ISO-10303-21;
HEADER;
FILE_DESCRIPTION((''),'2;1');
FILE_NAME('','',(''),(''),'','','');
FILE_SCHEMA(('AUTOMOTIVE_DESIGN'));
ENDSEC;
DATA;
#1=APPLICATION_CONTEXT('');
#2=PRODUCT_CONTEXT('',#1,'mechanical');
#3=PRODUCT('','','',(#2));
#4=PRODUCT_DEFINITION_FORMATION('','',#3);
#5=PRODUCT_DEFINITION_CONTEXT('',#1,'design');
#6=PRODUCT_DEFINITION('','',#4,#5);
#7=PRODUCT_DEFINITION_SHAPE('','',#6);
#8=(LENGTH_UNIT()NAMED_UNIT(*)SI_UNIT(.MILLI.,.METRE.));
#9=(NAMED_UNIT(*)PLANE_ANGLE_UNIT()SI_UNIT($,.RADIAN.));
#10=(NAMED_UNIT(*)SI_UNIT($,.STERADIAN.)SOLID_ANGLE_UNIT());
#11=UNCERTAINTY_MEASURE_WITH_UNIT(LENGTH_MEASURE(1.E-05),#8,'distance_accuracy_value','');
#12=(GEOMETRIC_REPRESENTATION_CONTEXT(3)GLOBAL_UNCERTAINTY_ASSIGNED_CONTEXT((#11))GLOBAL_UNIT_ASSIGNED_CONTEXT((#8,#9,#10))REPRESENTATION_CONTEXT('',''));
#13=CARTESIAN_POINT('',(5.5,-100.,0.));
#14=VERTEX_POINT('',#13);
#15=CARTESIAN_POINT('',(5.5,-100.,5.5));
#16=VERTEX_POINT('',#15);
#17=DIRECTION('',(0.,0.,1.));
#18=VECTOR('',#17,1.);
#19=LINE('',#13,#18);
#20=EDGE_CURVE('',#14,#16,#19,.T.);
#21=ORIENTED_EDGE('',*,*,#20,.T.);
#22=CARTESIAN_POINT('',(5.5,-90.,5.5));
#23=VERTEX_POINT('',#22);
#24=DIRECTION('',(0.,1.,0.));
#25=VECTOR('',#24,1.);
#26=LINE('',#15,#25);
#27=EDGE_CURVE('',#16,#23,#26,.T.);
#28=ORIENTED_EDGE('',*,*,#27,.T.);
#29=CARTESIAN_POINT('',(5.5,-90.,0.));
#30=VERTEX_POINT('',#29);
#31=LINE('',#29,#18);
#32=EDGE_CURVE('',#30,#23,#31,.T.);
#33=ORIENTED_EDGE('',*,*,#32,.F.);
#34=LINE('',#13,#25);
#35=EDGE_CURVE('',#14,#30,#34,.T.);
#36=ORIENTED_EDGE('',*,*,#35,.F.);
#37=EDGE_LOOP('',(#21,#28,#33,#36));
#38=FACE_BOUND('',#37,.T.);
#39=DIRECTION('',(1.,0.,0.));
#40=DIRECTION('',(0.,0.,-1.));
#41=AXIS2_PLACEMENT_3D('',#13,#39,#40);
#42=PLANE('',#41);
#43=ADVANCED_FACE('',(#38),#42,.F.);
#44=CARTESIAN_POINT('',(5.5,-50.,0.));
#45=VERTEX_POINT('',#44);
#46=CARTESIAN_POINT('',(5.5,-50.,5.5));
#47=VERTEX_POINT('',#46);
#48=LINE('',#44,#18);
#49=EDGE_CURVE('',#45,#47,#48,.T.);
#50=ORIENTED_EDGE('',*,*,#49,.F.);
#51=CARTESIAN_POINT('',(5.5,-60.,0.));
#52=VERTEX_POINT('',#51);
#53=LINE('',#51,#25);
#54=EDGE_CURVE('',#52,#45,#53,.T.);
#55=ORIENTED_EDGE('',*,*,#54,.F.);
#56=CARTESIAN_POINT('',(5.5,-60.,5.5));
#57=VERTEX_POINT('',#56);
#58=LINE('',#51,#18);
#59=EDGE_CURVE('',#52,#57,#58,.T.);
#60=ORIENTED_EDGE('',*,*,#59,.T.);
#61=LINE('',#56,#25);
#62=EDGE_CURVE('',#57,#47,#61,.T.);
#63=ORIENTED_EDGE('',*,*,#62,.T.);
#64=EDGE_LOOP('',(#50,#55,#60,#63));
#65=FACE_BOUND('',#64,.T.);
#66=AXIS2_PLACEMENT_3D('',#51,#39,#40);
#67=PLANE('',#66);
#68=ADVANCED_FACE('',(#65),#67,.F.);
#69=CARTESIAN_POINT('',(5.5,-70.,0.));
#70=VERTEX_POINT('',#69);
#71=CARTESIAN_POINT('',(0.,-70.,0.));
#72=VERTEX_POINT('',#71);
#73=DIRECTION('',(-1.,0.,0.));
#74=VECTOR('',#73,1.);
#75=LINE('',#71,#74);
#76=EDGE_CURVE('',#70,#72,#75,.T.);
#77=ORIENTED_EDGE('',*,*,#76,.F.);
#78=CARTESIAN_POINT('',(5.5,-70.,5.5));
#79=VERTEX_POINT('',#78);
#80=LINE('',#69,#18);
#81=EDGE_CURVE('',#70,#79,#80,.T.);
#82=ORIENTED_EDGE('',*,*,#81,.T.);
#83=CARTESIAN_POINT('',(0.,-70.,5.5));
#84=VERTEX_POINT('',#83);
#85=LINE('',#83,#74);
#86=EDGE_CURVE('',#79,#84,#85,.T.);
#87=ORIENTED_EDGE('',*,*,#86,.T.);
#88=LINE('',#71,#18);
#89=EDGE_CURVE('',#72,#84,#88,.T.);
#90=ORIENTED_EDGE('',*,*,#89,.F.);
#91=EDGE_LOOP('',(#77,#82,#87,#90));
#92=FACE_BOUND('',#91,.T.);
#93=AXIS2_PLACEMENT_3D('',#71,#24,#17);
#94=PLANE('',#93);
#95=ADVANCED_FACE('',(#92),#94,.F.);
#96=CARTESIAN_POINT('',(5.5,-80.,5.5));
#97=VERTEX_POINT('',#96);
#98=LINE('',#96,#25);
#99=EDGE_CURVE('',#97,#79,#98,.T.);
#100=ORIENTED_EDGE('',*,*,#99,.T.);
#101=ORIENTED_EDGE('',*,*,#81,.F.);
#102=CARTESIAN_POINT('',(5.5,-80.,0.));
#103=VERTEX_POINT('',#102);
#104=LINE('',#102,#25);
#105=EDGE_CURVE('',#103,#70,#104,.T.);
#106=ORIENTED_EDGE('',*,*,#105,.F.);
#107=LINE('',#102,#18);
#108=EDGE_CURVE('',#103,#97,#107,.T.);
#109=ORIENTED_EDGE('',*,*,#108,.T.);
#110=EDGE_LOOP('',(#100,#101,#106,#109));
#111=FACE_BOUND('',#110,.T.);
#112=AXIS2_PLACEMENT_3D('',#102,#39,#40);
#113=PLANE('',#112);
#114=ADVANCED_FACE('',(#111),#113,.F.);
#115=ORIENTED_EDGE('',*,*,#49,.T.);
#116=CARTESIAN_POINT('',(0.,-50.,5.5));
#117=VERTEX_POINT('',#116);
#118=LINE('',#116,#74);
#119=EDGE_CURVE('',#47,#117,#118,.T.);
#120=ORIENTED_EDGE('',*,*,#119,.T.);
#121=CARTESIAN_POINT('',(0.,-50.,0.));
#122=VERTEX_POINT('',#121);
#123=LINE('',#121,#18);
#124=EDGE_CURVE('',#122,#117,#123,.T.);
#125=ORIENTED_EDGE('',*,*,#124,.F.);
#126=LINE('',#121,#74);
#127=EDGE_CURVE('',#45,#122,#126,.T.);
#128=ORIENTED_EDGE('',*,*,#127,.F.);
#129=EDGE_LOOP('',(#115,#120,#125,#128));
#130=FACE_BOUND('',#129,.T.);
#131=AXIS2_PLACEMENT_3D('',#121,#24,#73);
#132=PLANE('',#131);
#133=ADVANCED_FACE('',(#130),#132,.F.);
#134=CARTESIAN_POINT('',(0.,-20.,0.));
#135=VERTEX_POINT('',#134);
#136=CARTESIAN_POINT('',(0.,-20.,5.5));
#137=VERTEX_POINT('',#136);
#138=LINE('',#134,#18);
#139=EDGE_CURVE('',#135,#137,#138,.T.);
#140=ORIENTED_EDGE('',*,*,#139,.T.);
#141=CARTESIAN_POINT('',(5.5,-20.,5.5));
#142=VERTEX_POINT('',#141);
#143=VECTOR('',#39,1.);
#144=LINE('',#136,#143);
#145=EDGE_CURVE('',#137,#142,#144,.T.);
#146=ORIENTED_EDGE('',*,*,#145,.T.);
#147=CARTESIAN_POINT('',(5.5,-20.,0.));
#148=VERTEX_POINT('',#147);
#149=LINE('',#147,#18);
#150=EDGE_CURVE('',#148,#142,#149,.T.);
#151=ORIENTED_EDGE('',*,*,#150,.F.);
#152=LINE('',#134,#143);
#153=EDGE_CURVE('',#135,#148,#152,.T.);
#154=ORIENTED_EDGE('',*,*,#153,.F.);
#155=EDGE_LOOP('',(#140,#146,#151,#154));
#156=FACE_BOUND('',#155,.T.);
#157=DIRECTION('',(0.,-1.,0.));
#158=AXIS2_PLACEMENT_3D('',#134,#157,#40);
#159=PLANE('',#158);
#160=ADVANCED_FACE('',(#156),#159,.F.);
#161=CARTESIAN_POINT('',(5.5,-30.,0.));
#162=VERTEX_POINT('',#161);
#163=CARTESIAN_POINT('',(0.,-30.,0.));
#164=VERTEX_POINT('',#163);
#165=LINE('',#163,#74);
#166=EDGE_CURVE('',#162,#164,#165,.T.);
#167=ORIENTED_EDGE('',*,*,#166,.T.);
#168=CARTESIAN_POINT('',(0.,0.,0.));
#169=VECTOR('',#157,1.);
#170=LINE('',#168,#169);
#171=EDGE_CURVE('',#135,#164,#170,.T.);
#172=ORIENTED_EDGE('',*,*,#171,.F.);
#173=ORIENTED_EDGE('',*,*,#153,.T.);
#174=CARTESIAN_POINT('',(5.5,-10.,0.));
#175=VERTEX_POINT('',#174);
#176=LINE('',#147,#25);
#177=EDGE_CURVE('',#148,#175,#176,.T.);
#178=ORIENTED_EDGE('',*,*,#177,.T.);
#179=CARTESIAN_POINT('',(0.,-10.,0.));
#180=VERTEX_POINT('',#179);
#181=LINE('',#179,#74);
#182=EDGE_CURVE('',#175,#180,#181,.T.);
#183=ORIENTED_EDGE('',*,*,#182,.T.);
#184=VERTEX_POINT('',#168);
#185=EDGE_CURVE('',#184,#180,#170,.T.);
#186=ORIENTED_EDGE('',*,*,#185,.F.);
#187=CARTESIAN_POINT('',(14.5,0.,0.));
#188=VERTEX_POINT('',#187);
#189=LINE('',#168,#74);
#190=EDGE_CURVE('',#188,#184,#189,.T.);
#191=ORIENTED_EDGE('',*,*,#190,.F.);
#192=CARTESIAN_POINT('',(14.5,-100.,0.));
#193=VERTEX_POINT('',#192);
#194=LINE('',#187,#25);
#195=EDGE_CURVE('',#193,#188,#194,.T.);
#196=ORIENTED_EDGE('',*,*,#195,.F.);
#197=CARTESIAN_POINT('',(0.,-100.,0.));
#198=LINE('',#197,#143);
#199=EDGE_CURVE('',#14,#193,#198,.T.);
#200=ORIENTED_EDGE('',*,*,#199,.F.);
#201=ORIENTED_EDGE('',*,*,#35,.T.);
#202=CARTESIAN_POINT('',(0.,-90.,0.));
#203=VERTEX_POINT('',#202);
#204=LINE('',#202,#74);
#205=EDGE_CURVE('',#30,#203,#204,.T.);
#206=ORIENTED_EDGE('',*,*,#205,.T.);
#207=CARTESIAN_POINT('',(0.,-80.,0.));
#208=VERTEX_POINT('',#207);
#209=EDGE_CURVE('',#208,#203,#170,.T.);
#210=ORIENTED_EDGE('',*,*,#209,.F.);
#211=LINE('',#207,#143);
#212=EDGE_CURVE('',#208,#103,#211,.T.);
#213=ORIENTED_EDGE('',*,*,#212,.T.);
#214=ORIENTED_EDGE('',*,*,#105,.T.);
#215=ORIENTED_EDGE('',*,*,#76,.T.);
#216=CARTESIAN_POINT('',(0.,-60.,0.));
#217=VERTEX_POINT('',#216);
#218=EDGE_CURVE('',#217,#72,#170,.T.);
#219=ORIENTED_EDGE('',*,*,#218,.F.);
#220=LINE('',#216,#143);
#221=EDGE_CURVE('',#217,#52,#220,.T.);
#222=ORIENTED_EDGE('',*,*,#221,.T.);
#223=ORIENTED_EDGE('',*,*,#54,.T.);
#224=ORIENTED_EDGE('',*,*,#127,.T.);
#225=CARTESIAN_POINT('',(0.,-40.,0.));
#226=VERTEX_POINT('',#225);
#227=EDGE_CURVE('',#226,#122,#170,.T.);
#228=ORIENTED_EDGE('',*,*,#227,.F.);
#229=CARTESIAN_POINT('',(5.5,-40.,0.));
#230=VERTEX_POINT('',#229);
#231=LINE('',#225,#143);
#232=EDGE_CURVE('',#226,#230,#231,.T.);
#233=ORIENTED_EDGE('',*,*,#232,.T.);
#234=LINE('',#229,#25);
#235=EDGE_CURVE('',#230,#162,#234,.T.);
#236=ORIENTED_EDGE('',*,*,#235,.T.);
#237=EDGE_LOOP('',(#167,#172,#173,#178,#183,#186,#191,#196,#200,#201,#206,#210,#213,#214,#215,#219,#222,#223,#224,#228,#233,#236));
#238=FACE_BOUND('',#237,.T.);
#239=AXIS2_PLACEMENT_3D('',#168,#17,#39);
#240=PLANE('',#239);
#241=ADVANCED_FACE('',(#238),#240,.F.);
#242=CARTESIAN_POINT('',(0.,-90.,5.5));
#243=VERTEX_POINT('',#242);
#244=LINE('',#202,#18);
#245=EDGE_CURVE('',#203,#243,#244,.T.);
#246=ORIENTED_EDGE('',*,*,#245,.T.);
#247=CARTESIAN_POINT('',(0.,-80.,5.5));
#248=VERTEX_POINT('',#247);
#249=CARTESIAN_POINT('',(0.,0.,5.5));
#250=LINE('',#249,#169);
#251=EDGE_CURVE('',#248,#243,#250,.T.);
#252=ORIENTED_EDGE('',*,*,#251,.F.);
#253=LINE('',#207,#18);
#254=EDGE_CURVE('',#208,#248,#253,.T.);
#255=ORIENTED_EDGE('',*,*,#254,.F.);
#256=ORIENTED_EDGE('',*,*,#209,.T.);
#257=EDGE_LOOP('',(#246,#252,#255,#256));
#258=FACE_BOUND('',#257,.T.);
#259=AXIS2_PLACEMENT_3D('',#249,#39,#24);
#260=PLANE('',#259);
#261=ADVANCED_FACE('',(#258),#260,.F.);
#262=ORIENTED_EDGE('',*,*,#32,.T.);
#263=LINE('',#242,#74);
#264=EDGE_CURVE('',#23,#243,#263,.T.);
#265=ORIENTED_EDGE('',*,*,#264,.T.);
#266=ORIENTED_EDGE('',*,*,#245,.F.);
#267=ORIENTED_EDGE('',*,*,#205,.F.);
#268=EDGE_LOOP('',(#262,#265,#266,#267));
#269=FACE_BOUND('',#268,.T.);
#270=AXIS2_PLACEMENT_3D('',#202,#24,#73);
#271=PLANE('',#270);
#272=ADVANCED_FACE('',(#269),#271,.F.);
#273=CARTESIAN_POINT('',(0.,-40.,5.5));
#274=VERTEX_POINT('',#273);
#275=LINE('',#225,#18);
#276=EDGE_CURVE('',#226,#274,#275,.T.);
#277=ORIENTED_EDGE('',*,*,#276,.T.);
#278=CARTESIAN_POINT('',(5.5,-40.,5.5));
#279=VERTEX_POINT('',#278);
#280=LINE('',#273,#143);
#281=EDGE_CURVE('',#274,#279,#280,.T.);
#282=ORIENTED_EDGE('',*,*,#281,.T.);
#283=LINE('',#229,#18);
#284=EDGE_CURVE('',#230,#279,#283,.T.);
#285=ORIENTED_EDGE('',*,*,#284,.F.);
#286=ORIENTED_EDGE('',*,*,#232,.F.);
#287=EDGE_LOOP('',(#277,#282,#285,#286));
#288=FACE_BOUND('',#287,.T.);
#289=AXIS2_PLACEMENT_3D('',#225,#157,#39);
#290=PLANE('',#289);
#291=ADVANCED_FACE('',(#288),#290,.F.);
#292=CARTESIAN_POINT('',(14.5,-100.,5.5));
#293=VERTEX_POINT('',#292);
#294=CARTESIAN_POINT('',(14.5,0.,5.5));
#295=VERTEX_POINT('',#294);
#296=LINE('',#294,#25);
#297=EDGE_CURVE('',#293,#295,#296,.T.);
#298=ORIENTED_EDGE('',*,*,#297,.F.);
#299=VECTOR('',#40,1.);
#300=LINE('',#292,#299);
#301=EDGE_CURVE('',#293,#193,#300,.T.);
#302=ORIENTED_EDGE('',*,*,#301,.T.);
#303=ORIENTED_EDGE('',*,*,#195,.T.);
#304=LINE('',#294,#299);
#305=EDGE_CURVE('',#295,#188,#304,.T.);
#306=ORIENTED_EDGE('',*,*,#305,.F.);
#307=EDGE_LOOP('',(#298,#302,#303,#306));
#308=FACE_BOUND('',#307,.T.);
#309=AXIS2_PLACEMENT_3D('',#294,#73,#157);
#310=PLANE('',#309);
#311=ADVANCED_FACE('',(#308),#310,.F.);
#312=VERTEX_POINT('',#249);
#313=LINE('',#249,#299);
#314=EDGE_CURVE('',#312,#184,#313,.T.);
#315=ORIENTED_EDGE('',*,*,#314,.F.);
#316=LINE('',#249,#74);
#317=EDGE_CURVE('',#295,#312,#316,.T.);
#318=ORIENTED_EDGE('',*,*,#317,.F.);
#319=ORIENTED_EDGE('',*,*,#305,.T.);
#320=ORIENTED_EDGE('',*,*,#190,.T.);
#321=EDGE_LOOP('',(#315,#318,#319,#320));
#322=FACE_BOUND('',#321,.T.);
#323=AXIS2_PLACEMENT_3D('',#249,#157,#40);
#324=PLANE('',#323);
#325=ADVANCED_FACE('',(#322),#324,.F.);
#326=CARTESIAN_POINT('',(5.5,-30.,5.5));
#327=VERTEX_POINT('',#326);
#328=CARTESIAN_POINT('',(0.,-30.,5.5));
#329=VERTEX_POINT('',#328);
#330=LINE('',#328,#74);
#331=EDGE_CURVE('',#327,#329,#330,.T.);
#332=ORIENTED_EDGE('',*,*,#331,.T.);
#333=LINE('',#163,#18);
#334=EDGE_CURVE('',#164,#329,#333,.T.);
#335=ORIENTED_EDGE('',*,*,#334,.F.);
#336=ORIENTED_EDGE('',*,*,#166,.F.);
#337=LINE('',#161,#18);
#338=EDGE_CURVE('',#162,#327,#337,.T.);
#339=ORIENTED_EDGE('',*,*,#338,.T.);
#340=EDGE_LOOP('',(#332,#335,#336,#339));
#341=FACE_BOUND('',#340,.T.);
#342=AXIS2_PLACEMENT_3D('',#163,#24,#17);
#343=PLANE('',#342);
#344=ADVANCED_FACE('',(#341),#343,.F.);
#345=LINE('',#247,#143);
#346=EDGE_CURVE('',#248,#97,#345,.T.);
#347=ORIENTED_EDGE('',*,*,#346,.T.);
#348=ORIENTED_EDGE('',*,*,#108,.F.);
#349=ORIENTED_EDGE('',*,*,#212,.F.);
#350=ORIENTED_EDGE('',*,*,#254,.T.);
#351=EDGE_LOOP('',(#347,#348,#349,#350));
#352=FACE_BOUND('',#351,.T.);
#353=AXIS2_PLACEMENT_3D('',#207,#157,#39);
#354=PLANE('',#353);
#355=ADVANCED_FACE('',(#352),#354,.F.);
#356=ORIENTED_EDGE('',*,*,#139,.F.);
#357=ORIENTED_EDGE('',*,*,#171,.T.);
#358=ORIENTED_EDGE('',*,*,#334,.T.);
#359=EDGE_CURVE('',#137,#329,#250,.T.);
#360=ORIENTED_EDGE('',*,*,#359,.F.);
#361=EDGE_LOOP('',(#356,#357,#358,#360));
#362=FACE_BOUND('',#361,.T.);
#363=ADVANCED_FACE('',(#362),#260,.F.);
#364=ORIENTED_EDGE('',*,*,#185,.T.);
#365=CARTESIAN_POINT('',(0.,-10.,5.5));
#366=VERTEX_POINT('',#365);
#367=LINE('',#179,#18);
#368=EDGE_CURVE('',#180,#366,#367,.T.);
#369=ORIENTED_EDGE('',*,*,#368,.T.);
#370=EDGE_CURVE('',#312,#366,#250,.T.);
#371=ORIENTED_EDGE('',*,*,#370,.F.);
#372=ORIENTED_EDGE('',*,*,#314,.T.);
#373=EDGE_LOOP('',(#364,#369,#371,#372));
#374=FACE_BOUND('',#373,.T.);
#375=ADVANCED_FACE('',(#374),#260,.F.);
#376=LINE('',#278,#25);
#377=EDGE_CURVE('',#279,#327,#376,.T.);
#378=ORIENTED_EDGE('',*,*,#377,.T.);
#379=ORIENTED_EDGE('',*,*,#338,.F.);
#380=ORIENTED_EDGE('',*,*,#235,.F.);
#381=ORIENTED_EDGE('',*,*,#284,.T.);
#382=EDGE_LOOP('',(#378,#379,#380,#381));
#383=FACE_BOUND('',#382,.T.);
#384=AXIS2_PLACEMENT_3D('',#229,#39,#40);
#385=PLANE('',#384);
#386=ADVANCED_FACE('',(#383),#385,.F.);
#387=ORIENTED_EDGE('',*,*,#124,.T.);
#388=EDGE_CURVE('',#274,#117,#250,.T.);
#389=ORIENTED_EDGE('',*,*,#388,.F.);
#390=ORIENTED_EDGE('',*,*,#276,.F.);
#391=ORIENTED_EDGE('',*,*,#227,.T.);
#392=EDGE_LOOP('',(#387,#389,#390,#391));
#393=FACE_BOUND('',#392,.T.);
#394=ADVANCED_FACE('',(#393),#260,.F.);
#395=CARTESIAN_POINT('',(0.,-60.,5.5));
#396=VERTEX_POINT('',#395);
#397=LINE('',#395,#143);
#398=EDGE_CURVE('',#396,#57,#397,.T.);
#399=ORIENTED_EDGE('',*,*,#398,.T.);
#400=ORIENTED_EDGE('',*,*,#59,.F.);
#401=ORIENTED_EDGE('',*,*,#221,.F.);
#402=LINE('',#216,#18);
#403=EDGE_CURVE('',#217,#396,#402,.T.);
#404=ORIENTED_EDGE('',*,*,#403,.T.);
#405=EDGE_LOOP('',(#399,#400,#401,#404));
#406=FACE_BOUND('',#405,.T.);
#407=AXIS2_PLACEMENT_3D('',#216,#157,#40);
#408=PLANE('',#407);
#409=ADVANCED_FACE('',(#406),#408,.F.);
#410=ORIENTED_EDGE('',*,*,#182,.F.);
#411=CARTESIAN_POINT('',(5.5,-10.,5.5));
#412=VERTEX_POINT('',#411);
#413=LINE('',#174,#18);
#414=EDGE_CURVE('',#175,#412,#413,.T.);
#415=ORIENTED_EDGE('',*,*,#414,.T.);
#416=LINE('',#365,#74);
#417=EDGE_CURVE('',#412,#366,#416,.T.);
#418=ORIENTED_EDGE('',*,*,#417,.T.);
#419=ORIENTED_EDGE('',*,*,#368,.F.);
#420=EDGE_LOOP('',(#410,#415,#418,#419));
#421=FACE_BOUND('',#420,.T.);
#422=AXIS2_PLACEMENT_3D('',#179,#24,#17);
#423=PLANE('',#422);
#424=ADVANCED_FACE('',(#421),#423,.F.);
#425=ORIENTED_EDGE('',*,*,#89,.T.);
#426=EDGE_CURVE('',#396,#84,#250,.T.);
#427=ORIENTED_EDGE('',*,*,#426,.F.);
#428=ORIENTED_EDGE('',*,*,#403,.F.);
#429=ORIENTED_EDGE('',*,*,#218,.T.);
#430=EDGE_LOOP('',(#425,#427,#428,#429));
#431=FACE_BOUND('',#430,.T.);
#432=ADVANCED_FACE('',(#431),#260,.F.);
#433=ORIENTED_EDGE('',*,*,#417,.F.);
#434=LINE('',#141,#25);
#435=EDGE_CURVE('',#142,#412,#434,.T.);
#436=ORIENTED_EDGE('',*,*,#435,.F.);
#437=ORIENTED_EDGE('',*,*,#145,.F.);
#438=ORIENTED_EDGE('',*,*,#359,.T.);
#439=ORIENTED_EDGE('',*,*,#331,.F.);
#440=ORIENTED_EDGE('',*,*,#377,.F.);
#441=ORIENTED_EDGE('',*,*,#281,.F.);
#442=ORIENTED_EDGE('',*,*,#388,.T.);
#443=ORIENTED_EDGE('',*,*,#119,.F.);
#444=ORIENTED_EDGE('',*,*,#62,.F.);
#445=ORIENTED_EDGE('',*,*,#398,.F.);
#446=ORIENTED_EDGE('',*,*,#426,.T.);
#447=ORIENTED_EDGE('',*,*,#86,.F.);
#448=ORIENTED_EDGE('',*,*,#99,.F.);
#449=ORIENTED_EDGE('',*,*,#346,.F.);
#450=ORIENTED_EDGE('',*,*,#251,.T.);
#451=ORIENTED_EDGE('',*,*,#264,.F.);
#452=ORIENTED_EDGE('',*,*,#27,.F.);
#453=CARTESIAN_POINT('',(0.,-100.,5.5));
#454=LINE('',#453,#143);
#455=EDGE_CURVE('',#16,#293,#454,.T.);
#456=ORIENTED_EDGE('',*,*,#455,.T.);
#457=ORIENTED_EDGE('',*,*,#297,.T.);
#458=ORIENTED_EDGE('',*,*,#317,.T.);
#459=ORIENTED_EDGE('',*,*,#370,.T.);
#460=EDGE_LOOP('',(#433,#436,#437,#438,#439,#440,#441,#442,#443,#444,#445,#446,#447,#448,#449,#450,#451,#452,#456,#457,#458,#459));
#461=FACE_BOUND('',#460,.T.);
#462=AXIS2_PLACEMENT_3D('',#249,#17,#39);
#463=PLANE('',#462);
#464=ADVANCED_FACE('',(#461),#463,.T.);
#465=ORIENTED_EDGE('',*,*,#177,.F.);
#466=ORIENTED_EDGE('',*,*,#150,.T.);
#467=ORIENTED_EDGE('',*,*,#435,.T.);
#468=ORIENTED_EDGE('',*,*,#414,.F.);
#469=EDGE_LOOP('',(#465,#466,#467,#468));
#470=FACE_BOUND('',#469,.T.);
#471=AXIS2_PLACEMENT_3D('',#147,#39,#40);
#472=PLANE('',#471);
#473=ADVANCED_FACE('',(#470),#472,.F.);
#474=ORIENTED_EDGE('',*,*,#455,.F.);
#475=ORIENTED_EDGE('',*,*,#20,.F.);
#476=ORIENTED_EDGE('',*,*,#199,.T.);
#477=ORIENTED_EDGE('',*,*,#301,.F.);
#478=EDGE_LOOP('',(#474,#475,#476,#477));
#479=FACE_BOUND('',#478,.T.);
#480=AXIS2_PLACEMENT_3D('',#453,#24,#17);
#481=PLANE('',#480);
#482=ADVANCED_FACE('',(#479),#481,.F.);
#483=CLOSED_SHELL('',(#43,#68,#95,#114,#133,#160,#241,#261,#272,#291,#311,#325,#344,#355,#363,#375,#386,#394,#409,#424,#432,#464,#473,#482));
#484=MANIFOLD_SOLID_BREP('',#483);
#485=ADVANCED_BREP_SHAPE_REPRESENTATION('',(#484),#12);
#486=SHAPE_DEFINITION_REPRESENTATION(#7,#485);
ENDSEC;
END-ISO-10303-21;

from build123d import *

# Parameters (mm, degrees)
SKETCH_1_W          = 14.5
SKETCH_1_H          = 100
EXTRUDE_1_DEPTH     = 5.5
SKETCH_2_W          = 5.5
SKETCH_2_H          = 10
CUT_EXTRUDE_1_DEPTH = 102.195355625


with BuildPart() as part:
    # ｽｹｯﾁ1 → ﾎﾞｽ - 押し出し1 (new body)
    with BuildSketch(Plane.XY):
        with Locations((7.25, -50)):
            Rectangle(SKETCH_1_W, SKETCH_1_H)
    extrude(amount=EXTRUDE_1_DEPTH)

    # ｽｹｯﾁ2 → ｶｯﾄ - 押し出し1 (cut, through all)
    with BuildSketch(Plane.XY.offset(5.5)):
        with Locations((2.75, -15)):
            Rectangle(SKETCH_2_W, SKETCH_2_H)
        with Locations((2.75, -35)):
            Rectangle(SKETCH_2_W, SKETCH_2_H)
        with Locations((2.75, -55)):
            Rectangle(SKETCH_2_W, SKETCH_2_H)
        with Locations((2.75, -75)):
            Rectangle(SKETCH_2_W, SKETCH_2_H)
        with Locations((2.75, -95)):
            Rectangle(SKETCH_2_W, SKETCH_2_H)
    extrude(amount=-CUT_EXTRUDE_1_DEPTH, mode=Mode.SUBTRACT)


solid = part.part
